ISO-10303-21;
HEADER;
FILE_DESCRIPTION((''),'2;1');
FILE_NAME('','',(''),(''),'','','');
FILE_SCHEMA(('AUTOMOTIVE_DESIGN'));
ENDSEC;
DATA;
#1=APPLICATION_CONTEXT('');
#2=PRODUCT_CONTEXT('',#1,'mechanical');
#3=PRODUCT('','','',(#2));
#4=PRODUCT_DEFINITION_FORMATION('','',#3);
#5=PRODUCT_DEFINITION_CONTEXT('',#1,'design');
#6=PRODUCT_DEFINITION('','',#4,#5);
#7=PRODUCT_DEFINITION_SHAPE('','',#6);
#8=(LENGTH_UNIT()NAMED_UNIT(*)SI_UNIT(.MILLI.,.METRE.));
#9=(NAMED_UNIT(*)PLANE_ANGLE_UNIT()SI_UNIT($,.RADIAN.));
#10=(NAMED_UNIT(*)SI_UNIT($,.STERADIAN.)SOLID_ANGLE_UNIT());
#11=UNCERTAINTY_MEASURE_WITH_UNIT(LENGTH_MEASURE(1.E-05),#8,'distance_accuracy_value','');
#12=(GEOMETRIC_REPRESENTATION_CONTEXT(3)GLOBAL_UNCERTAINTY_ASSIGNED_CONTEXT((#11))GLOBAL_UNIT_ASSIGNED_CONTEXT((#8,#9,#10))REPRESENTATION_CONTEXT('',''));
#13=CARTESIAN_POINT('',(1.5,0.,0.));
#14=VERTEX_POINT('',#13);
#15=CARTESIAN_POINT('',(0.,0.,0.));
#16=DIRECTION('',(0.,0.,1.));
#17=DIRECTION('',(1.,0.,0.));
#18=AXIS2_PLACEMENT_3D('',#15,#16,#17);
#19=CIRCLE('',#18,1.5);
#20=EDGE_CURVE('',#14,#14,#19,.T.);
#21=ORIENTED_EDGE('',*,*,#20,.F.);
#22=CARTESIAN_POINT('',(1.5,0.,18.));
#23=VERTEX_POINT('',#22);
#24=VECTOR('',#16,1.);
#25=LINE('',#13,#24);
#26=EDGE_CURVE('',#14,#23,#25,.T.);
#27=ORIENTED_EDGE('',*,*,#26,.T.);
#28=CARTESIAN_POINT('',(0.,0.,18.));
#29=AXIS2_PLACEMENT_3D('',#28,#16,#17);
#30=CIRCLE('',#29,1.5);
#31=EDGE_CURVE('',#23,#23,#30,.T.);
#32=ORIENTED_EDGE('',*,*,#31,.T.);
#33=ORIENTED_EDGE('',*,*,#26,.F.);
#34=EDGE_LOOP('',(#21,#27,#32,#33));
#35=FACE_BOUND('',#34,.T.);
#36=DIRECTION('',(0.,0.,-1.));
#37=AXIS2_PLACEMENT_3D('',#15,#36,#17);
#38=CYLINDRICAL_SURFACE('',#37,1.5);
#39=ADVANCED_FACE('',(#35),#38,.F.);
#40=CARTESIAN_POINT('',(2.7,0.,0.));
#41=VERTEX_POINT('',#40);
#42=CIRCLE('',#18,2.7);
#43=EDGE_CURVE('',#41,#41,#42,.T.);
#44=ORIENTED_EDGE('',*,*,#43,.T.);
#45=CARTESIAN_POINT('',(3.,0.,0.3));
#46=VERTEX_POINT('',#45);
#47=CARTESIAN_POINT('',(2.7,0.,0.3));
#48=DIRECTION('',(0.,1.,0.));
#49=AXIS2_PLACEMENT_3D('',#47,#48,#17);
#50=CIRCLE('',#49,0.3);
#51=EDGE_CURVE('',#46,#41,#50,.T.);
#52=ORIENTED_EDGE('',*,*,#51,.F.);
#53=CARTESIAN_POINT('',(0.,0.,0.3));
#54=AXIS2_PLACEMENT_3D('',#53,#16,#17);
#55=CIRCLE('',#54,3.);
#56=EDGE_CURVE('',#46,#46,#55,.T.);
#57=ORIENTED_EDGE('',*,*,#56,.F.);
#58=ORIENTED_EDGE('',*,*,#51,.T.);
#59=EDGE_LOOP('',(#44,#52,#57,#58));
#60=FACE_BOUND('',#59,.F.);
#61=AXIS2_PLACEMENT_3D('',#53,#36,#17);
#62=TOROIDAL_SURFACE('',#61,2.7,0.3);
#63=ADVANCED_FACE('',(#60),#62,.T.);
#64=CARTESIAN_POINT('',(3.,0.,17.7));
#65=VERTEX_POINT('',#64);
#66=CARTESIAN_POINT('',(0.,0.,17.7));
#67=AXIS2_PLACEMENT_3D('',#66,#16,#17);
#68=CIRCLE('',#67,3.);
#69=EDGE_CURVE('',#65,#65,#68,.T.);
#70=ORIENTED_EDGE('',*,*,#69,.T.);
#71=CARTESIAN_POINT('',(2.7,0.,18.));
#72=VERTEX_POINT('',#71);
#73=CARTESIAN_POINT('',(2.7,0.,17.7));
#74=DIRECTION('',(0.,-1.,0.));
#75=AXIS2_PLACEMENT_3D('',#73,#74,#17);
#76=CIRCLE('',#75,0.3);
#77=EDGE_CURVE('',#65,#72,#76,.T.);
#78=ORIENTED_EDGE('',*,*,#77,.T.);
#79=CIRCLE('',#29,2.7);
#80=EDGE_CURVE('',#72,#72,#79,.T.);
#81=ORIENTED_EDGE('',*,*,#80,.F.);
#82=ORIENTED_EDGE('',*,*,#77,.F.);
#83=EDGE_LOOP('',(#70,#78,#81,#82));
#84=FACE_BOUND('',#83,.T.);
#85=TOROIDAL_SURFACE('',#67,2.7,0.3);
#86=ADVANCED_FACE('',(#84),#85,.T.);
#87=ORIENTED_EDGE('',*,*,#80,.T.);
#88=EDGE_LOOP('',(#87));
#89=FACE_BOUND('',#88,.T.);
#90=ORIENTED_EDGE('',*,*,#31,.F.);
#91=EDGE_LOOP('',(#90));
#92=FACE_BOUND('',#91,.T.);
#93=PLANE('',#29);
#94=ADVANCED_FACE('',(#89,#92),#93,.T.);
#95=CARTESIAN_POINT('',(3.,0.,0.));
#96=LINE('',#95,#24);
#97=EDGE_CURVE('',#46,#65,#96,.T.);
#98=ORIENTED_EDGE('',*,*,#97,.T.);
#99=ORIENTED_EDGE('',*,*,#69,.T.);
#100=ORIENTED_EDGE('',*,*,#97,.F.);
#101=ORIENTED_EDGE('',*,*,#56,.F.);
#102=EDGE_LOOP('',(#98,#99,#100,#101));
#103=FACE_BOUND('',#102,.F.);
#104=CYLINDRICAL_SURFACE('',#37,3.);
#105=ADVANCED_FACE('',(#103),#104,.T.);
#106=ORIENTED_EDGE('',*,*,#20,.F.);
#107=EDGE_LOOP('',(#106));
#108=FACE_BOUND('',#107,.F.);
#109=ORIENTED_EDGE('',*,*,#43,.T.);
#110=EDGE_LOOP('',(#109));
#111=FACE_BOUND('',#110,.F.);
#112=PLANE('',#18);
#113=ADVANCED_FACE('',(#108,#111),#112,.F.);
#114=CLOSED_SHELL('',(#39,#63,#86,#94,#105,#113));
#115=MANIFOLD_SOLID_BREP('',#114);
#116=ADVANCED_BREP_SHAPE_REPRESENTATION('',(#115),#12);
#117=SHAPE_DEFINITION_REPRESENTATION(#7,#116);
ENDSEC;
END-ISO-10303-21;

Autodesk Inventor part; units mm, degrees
ref_plane "YZ Plane" through (0, 0, 0) normal (1, 0, 0) x (0, 1, 0)
ref_plane "XZ Plane" through (0, 0, 0) normal (0, 1, 0) x (-1, 0, 0)
ref_plane "XY Plane" through (0, 0, 0) normal (0, 0, 1) x (1, 0, 0)
sketch "スケッチ1" plane through (0, 0, 0) normal (0, 0, 1) x (1, 0, 0)
  circle A0 centre (0, 0) radius 1.5
  circle A1 centre (0, 0) radius 3
  dimension "d0" = 3
  dimension "d1" = 6
extrude "押し出し1" add sketch "スケッチ1" along normal blind 18
fillet "フィレット1" radius 0.3 2 edges at (-3, 0, 18) (-3, 0, 0)
thread "ねじ1" size "M3x0.5" class "6H" standard "ANSI Metric M Profile" length 100
properties part number "スペーサーM3L18アルミ" material "アルミニウム 2014-T4"
